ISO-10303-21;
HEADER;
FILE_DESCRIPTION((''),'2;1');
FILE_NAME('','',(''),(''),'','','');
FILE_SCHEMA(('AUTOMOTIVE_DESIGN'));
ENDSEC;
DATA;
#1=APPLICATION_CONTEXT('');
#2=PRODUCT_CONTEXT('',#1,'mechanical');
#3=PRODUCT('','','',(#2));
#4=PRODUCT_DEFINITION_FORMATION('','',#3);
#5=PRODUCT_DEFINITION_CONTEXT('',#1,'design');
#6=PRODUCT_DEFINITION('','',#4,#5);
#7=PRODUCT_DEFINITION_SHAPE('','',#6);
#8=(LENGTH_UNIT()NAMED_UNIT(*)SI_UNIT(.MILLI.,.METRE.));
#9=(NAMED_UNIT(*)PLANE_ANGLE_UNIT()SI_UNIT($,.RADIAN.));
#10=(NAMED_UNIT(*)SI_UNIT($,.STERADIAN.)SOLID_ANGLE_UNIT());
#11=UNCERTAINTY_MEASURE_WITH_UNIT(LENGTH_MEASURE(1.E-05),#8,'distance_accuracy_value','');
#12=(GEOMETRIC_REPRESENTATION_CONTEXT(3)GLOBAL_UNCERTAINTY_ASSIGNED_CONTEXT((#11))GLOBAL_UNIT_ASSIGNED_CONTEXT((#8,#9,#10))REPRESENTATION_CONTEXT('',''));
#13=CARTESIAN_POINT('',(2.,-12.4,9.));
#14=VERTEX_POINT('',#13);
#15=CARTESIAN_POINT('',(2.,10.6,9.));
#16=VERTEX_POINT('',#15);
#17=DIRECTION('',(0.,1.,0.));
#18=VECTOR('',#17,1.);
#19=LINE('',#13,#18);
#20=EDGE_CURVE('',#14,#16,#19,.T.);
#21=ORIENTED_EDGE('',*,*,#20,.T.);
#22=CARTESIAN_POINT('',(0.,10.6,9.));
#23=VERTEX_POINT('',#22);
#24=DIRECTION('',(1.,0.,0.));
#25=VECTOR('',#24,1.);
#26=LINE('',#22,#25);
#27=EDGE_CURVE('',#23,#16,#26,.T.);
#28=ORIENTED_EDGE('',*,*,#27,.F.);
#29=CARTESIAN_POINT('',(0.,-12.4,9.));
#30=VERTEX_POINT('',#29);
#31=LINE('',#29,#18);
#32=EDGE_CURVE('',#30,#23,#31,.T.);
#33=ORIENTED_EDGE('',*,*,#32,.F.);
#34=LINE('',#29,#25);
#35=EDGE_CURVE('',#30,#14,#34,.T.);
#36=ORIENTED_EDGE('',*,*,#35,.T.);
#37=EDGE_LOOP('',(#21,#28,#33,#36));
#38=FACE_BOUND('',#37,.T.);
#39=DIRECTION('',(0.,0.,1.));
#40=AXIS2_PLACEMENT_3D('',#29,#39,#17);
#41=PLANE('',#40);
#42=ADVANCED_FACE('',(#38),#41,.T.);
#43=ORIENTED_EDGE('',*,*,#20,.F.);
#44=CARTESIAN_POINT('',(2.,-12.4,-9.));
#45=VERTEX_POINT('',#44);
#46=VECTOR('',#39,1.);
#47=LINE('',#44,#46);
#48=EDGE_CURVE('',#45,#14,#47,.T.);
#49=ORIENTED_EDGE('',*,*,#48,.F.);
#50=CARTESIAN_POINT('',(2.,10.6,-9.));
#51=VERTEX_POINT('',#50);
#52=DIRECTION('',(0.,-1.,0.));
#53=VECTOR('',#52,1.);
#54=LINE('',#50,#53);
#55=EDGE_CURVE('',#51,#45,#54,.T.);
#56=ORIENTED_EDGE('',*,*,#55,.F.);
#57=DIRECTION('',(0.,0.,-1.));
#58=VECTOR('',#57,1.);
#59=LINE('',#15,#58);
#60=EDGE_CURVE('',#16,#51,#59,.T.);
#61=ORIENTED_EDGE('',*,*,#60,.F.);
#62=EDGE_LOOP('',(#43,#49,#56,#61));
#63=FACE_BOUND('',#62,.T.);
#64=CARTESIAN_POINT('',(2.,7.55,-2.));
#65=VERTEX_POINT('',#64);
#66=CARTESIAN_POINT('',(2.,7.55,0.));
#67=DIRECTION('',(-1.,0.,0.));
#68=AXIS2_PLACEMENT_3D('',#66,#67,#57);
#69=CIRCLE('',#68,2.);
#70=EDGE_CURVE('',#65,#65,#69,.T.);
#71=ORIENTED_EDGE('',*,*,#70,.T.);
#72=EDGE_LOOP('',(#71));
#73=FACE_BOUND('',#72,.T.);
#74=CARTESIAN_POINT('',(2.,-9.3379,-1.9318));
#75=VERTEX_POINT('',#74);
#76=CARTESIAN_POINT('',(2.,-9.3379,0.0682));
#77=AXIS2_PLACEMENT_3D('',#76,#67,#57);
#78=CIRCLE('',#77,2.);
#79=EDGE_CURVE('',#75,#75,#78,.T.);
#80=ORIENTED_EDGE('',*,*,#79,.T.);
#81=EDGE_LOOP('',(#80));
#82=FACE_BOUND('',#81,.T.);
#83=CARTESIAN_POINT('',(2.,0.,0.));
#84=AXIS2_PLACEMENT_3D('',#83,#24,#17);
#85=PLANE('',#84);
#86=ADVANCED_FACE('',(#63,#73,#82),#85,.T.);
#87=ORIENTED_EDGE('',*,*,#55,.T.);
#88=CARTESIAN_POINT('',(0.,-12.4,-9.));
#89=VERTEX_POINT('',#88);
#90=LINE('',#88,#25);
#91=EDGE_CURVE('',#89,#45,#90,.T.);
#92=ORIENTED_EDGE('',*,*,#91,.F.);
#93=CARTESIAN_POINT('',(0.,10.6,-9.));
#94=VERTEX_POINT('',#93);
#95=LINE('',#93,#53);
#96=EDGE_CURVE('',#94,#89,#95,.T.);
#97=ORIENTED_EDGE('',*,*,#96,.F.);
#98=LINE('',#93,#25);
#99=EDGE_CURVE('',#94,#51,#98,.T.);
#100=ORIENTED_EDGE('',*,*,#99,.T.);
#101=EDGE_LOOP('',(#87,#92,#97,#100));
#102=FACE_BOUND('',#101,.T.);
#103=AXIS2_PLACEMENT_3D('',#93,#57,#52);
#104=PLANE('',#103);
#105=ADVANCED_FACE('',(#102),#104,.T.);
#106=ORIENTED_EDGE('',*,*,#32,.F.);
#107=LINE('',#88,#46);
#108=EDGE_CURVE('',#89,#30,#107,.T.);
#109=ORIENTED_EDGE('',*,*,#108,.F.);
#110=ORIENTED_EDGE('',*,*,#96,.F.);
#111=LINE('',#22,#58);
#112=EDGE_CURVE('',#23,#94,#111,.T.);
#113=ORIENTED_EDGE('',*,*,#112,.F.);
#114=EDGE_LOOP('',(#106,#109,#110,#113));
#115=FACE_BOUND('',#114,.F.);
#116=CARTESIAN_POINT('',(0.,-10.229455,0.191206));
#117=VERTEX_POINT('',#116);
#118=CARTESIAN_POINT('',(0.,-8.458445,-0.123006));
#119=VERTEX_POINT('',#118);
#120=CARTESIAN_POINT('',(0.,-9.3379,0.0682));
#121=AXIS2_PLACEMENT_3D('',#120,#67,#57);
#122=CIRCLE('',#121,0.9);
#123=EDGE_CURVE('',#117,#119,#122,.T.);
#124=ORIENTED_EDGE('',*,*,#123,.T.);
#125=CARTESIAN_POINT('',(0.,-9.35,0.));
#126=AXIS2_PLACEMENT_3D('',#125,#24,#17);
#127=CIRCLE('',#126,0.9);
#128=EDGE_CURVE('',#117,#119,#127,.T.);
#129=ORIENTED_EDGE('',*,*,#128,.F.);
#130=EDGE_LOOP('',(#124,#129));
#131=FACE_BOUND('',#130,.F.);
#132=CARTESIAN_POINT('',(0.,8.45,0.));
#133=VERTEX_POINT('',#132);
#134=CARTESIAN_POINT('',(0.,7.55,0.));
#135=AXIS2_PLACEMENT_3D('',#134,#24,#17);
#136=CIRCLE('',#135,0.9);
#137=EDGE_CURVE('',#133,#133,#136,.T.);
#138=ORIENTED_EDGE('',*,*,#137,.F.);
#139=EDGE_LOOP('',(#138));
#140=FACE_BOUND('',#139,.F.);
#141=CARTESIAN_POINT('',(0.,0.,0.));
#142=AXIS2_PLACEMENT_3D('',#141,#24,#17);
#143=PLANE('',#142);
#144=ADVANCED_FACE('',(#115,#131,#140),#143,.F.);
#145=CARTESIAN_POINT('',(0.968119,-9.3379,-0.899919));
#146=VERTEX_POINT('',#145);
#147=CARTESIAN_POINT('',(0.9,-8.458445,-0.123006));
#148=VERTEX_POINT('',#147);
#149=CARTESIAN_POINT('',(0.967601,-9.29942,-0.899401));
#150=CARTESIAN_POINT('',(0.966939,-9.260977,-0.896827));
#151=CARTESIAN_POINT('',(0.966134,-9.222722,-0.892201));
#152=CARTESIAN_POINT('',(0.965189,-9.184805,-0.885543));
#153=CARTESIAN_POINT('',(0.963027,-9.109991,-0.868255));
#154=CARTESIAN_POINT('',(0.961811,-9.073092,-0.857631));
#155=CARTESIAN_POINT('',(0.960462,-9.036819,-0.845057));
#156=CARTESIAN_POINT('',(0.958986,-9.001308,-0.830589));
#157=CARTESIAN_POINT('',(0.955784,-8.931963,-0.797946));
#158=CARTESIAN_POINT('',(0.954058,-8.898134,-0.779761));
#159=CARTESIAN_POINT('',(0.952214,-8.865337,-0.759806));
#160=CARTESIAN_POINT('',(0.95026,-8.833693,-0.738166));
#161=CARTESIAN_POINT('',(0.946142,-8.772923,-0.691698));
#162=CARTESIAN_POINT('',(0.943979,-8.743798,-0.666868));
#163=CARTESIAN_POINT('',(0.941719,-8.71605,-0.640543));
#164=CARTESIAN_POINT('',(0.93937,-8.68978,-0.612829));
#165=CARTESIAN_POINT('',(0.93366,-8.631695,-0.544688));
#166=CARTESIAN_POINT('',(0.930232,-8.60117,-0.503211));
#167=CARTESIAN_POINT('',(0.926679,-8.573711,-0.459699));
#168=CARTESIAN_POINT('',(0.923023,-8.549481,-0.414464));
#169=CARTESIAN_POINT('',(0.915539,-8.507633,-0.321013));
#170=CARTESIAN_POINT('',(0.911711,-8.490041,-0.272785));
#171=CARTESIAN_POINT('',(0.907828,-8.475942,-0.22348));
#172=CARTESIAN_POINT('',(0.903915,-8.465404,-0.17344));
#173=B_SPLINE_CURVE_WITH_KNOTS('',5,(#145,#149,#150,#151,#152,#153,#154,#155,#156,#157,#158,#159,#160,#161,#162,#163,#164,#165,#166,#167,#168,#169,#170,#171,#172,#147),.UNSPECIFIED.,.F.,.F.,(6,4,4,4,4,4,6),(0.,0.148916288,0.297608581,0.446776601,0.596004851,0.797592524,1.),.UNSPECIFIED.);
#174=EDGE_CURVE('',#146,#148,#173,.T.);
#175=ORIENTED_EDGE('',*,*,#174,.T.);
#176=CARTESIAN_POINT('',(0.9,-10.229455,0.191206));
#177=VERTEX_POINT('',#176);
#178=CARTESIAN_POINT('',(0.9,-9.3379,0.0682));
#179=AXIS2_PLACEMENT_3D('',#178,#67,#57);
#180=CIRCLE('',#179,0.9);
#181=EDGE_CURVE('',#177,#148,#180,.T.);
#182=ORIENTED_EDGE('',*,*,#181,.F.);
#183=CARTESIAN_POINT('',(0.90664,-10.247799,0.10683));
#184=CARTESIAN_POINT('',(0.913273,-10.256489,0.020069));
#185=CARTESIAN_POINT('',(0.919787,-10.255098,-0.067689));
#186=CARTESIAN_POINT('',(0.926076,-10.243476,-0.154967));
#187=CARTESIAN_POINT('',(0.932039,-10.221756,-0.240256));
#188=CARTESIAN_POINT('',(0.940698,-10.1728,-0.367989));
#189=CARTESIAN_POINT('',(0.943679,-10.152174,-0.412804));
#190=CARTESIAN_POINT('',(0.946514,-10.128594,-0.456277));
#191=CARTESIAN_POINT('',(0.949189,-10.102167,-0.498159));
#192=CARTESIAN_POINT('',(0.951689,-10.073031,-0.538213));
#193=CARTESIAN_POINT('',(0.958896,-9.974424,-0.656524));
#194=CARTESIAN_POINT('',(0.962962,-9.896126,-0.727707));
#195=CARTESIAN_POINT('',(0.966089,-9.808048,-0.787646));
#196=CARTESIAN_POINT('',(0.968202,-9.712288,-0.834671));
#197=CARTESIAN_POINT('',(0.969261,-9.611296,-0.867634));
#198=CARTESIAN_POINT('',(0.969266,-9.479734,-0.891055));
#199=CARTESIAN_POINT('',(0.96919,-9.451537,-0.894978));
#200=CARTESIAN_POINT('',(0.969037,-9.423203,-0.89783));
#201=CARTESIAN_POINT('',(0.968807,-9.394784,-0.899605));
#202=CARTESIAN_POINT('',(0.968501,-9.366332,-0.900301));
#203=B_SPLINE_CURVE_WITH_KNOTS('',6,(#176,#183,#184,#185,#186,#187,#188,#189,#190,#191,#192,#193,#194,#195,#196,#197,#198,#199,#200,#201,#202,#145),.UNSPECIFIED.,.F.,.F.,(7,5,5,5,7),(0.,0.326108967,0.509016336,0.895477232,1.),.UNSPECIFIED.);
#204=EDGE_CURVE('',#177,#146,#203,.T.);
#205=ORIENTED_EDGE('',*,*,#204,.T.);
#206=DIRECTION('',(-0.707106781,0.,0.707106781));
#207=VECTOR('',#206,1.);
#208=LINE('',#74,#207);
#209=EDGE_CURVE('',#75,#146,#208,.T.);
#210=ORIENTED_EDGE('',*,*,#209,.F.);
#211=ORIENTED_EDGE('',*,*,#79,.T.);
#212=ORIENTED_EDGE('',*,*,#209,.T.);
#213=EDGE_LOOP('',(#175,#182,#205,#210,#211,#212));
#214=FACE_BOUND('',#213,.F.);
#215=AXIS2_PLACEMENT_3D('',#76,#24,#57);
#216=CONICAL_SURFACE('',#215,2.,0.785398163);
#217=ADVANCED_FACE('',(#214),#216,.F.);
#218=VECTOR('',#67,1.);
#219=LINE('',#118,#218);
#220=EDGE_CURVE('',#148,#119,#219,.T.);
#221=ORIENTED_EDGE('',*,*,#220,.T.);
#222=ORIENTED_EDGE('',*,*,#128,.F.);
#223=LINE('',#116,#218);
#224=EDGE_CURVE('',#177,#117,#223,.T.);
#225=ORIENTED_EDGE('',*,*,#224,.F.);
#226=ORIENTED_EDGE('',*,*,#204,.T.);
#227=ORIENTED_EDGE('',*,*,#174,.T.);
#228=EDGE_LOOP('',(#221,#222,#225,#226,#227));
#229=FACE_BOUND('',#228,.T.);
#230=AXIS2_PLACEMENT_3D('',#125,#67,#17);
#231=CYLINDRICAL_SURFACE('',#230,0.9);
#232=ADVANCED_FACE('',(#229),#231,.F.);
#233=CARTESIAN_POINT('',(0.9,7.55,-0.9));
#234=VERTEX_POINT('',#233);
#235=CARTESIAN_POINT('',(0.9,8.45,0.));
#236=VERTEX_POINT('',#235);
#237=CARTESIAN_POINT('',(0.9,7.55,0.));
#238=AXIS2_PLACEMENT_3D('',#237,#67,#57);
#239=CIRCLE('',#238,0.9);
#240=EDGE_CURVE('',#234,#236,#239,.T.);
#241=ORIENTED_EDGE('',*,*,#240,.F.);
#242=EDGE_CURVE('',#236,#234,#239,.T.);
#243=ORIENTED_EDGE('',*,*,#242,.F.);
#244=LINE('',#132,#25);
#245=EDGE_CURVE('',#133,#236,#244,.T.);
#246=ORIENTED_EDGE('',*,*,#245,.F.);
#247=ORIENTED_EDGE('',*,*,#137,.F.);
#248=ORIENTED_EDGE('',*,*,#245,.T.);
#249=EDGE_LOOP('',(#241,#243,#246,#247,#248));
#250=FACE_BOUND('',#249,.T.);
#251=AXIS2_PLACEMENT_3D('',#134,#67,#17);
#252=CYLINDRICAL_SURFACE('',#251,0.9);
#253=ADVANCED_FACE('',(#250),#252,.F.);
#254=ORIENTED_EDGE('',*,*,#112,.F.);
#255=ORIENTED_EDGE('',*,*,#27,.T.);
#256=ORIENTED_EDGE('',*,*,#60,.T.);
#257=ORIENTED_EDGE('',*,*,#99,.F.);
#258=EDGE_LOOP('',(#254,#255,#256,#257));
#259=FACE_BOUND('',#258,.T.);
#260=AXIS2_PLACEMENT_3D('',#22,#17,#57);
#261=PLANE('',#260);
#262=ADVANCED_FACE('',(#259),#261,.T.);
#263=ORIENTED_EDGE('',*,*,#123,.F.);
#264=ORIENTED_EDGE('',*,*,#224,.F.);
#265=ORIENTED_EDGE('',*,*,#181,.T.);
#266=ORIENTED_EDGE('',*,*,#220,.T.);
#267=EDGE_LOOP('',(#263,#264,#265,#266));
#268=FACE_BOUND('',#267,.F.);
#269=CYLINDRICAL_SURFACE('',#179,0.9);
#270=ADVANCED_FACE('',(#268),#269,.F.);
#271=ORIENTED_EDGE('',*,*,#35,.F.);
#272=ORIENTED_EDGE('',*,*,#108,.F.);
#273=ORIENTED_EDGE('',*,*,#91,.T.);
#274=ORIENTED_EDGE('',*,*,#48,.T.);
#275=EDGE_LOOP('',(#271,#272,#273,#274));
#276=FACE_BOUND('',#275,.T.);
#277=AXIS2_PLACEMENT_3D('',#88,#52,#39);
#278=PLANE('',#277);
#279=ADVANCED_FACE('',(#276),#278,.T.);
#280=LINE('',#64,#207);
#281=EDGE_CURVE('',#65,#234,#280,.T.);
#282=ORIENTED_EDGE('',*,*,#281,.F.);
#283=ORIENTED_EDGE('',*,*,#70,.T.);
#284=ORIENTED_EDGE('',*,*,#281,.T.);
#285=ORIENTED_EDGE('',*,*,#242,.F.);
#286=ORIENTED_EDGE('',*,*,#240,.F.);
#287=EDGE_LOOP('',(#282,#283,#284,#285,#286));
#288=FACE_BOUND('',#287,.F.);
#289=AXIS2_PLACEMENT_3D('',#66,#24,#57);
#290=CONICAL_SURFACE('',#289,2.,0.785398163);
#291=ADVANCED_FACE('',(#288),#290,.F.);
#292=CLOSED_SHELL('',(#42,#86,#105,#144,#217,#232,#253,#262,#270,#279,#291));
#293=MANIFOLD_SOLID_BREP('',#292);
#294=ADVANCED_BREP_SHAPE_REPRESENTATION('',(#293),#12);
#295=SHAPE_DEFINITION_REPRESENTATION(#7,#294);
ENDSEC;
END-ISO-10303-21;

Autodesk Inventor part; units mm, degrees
ref_plane "YZ Plane" through (0, 0, 0) normal (1, 0, 0) x (0, 1, 0)
ref_plane "XZ Plane" through (0, 0, 0) normal (0, 1, 0) x (-1, 0, 0)
ref_plane "XY Plane" through (0, 0, 0) normal (0, 0, 1) x (1, 0, 0)
sketch "Sketch1" plane through (0, 0, 0) normal (1, 0, 0) x (0, 1, 0)
  line L0 (-12.4, 9) -> (10.6, 9)
  line L1 (10.6, 9) -> (10.6, -9)
  line L2 (10.6, -9) -> (-12.4, -9)
  line L3 (-12.4, -9) -> (-12.4, 9)
  circle A0 centre (7.55, 0) radius 0.9
  circle A1 centre (-9.35, 0) radius 0.9
  line L4 (-0.9, 9) -> (-0.9, -9) construction
  line L5 (8.45, 0) -> (-10.25, 0) construction
  point P0 (-0.9, 0)
  point P1 (-0.9, 0)
  dimension "d5" = 1.8
  dimension "d6" = 1.8
  dimension "d0" = 23
  dimension "d1" = 18
  dimension "d4" = 16.9
extrude "Extrusion1" add sketch "Sketch1" along normal blind 2
hole "Hole1" at (2, 7.55, 0) direction (-1, 0, 0) diameter 1.8 depth 15 tip angle 118 countersink diameter 4 countersink angle 90
hole "Hole2" at (2, -9.3379, 0.0682) direction (-1, 0, 0) diameter 1.8 depth 15 tip angle 118 countersink diameter 4 countersink angle 90
equation "\"d6\" = d5"
properties part number "USB-bay_cover"
